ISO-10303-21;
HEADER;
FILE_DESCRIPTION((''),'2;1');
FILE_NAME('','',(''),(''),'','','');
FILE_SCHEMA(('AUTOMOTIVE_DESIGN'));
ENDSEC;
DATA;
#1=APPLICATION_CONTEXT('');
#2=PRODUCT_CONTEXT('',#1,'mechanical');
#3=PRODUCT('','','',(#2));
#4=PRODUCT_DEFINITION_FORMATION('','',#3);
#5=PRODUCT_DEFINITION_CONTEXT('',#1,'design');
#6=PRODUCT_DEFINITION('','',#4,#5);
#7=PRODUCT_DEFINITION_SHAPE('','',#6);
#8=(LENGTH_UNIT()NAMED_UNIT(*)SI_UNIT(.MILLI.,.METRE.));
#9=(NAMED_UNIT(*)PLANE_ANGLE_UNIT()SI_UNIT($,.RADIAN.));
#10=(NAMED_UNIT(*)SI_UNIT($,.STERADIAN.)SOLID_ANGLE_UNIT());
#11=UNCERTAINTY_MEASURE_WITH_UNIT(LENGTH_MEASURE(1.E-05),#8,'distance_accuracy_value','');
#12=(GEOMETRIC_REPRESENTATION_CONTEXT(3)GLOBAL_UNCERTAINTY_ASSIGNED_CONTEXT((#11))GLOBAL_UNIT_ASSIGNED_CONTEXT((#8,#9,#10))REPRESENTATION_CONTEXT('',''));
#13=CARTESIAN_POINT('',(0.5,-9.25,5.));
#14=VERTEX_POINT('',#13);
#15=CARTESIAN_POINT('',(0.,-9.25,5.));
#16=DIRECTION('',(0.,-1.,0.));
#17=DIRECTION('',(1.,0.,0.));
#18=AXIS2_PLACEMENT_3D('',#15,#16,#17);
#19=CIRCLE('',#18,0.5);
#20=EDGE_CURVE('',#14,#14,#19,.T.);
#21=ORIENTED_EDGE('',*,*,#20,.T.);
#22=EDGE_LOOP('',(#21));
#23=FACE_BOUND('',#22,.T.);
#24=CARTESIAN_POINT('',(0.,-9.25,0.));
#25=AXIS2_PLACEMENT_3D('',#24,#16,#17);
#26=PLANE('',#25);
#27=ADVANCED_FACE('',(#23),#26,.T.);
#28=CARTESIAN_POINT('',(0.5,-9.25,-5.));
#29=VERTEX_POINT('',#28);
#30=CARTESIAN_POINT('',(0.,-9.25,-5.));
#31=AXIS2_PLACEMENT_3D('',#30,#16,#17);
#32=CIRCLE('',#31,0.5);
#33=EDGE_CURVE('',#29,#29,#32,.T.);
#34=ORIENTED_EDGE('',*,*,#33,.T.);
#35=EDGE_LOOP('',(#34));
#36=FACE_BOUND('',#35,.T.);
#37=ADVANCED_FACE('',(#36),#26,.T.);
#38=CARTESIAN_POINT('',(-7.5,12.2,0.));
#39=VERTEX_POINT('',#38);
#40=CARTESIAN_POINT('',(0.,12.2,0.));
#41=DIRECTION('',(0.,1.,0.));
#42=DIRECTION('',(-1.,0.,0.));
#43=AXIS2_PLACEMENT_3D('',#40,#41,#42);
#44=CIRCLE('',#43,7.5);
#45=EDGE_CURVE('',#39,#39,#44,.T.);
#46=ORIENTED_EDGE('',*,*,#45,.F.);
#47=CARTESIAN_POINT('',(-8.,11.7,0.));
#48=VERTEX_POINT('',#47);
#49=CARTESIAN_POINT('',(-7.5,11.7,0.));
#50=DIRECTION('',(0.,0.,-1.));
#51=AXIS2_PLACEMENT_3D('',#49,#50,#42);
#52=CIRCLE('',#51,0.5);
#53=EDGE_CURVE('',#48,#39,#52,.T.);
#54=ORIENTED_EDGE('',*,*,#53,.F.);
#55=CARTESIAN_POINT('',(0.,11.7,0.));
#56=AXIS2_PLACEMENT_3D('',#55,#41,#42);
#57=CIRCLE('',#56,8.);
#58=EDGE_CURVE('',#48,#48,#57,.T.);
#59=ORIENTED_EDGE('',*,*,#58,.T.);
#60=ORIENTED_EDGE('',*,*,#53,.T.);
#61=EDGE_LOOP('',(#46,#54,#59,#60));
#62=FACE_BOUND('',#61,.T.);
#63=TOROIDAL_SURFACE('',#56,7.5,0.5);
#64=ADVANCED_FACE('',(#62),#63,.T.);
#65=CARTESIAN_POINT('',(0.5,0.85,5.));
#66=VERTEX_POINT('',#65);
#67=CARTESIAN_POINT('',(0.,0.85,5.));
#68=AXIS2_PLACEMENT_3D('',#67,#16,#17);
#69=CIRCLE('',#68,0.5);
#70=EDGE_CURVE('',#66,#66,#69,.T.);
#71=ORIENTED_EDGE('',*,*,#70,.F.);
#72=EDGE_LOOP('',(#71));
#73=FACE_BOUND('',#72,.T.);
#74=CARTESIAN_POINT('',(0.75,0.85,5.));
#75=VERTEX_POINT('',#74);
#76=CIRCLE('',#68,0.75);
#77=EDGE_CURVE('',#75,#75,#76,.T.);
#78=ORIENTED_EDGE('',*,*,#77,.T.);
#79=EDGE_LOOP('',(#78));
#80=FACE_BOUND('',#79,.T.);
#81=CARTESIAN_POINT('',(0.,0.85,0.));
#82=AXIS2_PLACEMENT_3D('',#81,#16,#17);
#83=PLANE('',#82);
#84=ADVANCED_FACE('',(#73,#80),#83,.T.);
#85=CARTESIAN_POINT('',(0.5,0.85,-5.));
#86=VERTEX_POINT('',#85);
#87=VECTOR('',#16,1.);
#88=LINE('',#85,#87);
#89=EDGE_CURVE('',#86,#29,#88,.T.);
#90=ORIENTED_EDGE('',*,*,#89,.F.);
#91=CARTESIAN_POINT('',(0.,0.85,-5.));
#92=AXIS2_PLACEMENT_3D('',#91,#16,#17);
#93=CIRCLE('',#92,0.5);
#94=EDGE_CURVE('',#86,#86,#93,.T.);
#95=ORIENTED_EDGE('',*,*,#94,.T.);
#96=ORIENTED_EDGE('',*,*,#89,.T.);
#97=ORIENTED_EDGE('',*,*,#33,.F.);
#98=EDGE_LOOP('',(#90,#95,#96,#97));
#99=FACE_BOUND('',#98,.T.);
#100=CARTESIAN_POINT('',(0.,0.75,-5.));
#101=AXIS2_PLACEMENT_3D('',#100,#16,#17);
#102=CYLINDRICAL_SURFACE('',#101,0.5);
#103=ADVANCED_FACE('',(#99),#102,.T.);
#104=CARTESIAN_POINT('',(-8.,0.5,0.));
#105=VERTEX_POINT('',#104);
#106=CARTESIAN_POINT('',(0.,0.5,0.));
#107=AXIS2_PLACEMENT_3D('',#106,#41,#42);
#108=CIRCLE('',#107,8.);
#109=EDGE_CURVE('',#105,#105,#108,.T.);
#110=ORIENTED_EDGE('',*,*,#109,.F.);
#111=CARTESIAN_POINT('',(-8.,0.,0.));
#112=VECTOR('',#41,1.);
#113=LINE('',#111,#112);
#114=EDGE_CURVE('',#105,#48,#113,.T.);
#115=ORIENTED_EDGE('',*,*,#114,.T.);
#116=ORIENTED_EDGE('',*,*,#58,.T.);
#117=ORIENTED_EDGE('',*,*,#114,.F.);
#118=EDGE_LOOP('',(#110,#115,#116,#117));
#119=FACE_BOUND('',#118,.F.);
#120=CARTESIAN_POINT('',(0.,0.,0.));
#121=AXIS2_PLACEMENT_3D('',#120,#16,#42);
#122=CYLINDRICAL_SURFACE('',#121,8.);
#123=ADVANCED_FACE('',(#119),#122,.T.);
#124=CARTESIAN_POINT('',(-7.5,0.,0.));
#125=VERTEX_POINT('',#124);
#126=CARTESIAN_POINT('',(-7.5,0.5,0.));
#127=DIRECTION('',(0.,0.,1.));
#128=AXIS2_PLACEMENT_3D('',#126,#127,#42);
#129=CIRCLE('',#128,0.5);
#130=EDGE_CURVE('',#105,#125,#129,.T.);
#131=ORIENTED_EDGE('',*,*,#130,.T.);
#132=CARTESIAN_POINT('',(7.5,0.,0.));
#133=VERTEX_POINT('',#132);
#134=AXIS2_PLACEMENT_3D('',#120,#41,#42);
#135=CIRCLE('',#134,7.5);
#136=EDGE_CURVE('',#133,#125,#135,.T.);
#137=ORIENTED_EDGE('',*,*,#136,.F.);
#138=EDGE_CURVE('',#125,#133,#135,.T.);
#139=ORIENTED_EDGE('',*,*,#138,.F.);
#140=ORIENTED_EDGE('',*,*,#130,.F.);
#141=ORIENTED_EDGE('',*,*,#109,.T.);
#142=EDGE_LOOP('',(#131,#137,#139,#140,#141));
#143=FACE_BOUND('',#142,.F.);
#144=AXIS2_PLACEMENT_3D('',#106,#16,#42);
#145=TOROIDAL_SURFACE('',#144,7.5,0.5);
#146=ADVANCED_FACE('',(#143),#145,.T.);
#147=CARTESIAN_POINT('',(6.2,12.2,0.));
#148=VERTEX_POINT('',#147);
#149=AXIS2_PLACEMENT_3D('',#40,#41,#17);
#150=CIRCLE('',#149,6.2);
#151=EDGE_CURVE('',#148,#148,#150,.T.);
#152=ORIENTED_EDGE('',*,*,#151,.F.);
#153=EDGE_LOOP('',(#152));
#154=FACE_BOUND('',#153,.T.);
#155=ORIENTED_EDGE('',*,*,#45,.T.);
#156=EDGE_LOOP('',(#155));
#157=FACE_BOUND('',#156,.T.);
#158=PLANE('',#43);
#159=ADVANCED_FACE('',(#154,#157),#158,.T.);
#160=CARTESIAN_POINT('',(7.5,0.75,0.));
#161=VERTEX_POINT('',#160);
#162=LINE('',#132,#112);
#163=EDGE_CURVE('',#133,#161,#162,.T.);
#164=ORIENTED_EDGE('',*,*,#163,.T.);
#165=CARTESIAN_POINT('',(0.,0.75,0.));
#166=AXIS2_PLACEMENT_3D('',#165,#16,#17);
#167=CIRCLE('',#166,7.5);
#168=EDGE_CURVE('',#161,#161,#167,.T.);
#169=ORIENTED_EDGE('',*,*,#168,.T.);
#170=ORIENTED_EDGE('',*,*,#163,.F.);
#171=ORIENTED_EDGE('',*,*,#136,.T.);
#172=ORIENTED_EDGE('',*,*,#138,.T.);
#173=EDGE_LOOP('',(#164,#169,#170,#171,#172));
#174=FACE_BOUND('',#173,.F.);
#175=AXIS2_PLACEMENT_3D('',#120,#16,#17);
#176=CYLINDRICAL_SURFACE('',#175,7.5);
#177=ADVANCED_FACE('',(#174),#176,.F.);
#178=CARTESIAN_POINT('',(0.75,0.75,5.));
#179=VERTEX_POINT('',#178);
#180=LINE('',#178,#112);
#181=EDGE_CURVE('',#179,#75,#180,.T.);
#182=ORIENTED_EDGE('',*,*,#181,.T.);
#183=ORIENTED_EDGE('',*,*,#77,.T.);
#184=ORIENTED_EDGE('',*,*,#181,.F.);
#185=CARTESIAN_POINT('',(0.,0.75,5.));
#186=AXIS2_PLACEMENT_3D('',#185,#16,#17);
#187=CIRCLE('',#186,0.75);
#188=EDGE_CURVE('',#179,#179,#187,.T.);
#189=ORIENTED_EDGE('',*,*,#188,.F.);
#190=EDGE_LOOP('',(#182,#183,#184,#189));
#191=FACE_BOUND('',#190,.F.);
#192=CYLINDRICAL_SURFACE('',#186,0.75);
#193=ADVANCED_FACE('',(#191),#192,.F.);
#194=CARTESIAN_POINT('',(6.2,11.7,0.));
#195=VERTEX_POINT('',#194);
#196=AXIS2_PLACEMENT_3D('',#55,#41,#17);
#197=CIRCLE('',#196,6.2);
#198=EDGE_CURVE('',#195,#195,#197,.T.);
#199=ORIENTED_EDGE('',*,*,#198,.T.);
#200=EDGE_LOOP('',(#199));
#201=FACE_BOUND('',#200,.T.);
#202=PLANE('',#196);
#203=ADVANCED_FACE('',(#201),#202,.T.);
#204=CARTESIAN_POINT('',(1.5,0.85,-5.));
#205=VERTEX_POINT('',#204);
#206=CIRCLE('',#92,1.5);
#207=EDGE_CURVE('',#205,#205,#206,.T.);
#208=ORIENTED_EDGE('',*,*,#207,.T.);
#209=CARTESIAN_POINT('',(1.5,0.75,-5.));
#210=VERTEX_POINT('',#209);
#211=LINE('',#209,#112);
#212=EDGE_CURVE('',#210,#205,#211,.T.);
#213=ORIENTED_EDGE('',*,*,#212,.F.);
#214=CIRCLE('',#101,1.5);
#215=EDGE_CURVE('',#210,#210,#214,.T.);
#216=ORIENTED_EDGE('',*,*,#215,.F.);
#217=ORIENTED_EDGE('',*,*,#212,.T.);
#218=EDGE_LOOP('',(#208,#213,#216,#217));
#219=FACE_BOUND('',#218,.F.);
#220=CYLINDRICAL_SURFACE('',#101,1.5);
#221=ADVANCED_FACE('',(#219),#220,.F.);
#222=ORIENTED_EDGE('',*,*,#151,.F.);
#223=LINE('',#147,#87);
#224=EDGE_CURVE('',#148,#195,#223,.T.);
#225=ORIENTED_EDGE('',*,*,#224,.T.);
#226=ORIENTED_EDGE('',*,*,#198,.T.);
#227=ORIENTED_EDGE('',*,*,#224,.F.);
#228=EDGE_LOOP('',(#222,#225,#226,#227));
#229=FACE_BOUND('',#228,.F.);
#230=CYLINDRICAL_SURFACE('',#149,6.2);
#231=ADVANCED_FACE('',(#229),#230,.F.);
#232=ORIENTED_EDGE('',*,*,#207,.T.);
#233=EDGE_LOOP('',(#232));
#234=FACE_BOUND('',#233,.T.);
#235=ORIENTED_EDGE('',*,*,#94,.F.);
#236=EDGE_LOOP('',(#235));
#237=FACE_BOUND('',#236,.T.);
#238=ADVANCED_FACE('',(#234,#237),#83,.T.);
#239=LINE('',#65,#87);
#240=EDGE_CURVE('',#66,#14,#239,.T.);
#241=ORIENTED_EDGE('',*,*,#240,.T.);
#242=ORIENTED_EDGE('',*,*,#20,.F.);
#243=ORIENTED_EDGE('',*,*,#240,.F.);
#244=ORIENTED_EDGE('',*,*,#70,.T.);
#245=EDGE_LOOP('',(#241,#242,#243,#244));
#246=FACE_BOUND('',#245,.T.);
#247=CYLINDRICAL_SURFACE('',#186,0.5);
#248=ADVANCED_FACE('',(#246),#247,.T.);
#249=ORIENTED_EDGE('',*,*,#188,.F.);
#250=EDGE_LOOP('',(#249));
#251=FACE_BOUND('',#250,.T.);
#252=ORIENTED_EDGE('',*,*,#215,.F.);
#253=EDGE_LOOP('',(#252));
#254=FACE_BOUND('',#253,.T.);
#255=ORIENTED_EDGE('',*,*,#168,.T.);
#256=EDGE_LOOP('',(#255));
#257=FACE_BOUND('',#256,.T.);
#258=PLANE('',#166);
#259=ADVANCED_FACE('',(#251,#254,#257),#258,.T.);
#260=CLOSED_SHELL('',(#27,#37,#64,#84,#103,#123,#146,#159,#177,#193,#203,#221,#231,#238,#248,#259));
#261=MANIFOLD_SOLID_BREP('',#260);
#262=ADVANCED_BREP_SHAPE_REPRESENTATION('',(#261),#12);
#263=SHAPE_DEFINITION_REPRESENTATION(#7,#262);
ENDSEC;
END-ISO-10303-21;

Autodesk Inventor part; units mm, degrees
ref_plane "YZ Plane" through (0, 0, 0) normal (1, 0, 0) x (0, 1, 0)
ref_plane "XZ Plane" through (0, 0, 0) normal (0, 1, 0) x (-1, 0, 0)
ref_plane "XY Plane" through (0, 0, 0) normal (0, 0, 1) x (1, 0, 0)
sketch "Skizze1" plane through (0, 0, 0) normal (0, 1, 0) x (-1, 0, 0)
  circle A0 centre (0, 0) radius 8
  dimension "d0" = 16
extrude "Extrusion1" add sketch "Skizze1" along normal blind 12.2
fillet "Rundung1" radius 0.5 2 edges at (8, 12.2, 0) (8, 0, 0)
sketch "Skizze2" plane through (0, 12.2, 0) normal (0, 1, 0) x (1, 0, 0)
  circle A0 centre (0, 0) radius 6.2
  circle A1 centre (0, 0) radius 8 projected
  dimension "d4" = 1.8
extrude "Extrusion2" cut sketch "Skizze2" against normal blind 0.5 contours A0
sketch "Skizze3" plane through (0, 0, 0) normal (0, -1, 0) x (1, 0, 0)
  circle A0 centre (0, 0) radius 7.5
extrude "Extrusion3" cut sketch "Skizze3" against normal blind 0.75
sketch "Skizze4" plane through (0, 0.75, 0) normal (0, -1, 0) x (1, 0, 0)
  circle A0 centre (0, -5) radius 0.5
  circle A1 centre (0, 5) radius 0.5
  point P0 (0, 0)
  dimension "d9" = 10
  dimension "d10" = 5
  dimension "d11" = 1
  dimension "d12" = 1
extrude "Extrusion4" add sketch "Skizze4" along normal blind 10
sketch "Skizze5" plane through (0, 0.75, 0) normal (0, -1, 0) x (1, 0, 0)
  circle A0 centre (0, -5) radius 0.5
  circle A1 centre (0, -5) radius 1.5
  circle A2 centre (0, 5) radius 0.5
  circle A3 centre (0, 5) radius 0.75
  circle A4 centre (0, 5) radius 0.5 projected
  circle A5 centre (0, -5) radius 0.5 projected
  point P0 (0, 0)
  dimension "d15" = 0
  dimension "d16" = 0
  dimension "d17" = 1
  dimension "d18" = 0.25
extrude "Extrusion5" cut sketch "Skizze5" against normal blind 0.1
equation "\"d10\" = 0.5 * d9"
equation "\"d12\" = d11"
properties part number "Ultraschallwandler16mm"
